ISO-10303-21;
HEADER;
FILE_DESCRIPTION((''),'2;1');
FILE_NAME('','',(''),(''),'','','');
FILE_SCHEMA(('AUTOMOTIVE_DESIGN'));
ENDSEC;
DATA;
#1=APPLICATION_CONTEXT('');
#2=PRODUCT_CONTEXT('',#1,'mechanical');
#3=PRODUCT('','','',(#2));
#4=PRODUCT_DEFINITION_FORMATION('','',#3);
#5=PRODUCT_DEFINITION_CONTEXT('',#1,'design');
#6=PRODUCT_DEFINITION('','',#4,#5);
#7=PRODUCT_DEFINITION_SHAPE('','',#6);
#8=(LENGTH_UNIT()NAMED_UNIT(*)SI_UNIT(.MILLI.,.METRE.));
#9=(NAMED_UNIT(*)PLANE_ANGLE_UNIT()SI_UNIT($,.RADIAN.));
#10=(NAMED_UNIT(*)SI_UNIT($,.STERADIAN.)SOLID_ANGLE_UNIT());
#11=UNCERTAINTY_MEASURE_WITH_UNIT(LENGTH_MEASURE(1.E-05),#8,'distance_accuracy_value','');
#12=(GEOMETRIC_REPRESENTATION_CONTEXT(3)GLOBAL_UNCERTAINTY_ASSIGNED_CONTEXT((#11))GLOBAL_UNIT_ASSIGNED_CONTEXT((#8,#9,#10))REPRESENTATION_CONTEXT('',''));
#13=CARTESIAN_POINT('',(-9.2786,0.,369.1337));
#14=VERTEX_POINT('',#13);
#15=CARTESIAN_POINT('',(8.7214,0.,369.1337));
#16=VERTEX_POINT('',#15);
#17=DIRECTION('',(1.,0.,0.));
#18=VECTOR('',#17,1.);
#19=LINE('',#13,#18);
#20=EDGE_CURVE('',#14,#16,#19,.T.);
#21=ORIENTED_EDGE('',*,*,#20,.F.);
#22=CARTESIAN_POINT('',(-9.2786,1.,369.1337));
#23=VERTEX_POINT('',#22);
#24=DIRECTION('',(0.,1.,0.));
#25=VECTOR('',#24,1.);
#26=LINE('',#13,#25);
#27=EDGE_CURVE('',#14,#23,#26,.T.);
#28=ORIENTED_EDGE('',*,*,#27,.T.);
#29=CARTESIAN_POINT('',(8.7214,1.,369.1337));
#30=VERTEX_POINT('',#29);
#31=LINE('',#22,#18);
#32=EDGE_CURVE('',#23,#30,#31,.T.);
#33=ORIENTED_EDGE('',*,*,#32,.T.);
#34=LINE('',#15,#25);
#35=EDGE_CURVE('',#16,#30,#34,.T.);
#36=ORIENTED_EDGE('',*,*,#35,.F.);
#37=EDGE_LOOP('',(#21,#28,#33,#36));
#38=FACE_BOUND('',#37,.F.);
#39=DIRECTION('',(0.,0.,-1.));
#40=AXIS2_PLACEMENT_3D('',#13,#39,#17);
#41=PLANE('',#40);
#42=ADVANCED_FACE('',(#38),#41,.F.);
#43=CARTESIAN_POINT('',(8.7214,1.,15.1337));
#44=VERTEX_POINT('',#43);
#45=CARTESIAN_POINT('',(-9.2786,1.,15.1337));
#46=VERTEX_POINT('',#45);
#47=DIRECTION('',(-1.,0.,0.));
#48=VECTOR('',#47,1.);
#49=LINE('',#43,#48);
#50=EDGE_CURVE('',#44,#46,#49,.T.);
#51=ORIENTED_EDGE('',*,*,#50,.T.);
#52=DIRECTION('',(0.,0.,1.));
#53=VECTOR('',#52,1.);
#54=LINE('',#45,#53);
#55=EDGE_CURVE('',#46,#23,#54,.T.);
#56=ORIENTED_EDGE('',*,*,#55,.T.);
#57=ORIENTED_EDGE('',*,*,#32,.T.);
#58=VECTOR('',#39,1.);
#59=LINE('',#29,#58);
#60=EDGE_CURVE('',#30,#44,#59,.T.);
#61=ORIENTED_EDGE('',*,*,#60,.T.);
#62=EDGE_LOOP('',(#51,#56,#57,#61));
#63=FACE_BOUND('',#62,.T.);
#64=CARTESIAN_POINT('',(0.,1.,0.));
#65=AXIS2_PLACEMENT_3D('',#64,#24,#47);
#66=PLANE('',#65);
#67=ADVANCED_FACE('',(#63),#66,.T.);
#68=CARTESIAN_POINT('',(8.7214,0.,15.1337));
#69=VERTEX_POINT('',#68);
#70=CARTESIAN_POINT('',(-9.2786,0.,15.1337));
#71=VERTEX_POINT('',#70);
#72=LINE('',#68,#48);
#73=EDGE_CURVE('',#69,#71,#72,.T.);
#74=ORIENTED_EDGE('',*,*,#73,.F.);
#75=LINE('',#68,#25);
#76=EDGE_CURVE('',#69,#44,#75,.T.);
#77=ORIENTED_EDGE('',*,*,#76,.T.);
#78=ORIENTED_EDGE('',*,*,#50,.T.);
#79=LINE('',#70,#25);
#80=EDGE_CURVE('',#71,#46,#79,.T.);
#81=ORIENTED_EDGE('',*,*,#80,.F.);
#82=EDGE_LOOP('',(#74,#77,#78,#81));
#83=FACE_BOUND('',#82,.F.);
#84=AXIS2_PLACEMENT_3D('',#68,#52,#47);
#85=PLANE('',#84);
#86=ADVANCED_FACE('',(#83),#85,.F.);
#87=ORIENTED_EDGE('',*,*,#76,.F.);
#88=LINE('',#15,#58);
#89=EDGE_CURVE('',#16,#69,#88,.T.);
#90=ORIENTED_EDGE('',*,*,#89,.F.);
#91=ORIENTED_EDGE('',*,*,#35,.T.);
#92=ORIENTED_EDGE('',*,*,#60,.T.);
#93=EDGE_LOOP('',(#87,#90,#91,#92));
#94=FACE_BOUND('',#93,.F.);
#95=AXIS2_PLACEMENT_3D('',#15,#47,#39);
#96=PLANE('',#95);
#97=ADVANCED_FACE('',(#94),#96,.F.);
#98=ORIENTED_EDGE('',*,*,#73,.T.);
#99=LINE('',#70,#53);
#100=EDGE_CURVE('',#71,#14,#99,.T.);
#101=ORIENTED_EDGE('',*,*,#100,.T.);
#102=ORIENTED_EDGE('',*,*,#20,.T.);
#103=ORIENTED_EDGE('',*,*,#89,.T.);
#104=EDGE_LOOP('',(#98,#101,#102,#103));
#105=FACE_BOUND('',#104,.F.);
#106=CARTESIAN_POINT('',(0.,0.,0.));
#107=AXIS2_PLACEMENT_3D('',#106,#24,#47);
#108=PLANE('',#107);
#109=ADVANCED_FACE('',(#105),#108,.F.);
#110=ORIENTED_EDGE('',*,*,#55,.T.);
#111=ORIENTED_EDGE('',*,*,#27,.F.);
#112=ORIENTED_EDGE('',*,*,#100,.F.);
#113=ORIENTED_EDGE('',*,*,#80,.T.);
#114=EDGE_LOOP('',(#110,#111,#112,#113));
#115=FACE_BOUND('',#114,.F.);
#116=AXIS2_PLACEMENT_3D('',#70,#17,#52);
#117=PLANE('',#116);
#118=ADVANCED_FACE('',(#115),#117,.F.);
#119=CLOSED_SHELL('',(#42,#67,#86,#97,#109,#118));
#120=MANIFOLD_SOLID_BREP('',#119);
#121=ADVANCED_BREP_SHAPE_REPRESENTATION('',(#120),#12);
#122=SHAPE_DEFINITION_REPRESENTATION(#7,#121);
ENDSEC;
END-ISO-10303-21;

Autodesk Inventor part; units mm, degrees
ref_plane "YZ Plane" through (0, 0, 0) normal (1, 0, 0) x (0, 1, 0)
ref_plane "XZ Plane" through (0, 0, 0) normal (0, 1, 0) x (-1, 0, 0)
ref_plane "XY Plane" through (0, 0, 0) normal (0, 0, 1) x (1, 0, 0)
sketch "Boceto1" plane through (0, 0, 0) normal (0, 1, 0) x (-1, 0, 0)
  line L0 (9.2786, 369.1337) -> (-8.7214, 369.1337)
  line L1 (-8.7214, 369.1337) -> (-8.7214, 15.1337)
  line L2 (-8.7214, 15.1337) -> (9.2786, 15.1337)
  line L3 (9.2786, 15.1337) -> (9.2786, 369.1337)
  point P0 (0, 0)
  dimension "d0" = 18
  dimension "d1" = 354
extrude "Extrusión1" add sketch "Boceto1" along normal blind 1
properties part number "Tapa para soporte Led-2"
